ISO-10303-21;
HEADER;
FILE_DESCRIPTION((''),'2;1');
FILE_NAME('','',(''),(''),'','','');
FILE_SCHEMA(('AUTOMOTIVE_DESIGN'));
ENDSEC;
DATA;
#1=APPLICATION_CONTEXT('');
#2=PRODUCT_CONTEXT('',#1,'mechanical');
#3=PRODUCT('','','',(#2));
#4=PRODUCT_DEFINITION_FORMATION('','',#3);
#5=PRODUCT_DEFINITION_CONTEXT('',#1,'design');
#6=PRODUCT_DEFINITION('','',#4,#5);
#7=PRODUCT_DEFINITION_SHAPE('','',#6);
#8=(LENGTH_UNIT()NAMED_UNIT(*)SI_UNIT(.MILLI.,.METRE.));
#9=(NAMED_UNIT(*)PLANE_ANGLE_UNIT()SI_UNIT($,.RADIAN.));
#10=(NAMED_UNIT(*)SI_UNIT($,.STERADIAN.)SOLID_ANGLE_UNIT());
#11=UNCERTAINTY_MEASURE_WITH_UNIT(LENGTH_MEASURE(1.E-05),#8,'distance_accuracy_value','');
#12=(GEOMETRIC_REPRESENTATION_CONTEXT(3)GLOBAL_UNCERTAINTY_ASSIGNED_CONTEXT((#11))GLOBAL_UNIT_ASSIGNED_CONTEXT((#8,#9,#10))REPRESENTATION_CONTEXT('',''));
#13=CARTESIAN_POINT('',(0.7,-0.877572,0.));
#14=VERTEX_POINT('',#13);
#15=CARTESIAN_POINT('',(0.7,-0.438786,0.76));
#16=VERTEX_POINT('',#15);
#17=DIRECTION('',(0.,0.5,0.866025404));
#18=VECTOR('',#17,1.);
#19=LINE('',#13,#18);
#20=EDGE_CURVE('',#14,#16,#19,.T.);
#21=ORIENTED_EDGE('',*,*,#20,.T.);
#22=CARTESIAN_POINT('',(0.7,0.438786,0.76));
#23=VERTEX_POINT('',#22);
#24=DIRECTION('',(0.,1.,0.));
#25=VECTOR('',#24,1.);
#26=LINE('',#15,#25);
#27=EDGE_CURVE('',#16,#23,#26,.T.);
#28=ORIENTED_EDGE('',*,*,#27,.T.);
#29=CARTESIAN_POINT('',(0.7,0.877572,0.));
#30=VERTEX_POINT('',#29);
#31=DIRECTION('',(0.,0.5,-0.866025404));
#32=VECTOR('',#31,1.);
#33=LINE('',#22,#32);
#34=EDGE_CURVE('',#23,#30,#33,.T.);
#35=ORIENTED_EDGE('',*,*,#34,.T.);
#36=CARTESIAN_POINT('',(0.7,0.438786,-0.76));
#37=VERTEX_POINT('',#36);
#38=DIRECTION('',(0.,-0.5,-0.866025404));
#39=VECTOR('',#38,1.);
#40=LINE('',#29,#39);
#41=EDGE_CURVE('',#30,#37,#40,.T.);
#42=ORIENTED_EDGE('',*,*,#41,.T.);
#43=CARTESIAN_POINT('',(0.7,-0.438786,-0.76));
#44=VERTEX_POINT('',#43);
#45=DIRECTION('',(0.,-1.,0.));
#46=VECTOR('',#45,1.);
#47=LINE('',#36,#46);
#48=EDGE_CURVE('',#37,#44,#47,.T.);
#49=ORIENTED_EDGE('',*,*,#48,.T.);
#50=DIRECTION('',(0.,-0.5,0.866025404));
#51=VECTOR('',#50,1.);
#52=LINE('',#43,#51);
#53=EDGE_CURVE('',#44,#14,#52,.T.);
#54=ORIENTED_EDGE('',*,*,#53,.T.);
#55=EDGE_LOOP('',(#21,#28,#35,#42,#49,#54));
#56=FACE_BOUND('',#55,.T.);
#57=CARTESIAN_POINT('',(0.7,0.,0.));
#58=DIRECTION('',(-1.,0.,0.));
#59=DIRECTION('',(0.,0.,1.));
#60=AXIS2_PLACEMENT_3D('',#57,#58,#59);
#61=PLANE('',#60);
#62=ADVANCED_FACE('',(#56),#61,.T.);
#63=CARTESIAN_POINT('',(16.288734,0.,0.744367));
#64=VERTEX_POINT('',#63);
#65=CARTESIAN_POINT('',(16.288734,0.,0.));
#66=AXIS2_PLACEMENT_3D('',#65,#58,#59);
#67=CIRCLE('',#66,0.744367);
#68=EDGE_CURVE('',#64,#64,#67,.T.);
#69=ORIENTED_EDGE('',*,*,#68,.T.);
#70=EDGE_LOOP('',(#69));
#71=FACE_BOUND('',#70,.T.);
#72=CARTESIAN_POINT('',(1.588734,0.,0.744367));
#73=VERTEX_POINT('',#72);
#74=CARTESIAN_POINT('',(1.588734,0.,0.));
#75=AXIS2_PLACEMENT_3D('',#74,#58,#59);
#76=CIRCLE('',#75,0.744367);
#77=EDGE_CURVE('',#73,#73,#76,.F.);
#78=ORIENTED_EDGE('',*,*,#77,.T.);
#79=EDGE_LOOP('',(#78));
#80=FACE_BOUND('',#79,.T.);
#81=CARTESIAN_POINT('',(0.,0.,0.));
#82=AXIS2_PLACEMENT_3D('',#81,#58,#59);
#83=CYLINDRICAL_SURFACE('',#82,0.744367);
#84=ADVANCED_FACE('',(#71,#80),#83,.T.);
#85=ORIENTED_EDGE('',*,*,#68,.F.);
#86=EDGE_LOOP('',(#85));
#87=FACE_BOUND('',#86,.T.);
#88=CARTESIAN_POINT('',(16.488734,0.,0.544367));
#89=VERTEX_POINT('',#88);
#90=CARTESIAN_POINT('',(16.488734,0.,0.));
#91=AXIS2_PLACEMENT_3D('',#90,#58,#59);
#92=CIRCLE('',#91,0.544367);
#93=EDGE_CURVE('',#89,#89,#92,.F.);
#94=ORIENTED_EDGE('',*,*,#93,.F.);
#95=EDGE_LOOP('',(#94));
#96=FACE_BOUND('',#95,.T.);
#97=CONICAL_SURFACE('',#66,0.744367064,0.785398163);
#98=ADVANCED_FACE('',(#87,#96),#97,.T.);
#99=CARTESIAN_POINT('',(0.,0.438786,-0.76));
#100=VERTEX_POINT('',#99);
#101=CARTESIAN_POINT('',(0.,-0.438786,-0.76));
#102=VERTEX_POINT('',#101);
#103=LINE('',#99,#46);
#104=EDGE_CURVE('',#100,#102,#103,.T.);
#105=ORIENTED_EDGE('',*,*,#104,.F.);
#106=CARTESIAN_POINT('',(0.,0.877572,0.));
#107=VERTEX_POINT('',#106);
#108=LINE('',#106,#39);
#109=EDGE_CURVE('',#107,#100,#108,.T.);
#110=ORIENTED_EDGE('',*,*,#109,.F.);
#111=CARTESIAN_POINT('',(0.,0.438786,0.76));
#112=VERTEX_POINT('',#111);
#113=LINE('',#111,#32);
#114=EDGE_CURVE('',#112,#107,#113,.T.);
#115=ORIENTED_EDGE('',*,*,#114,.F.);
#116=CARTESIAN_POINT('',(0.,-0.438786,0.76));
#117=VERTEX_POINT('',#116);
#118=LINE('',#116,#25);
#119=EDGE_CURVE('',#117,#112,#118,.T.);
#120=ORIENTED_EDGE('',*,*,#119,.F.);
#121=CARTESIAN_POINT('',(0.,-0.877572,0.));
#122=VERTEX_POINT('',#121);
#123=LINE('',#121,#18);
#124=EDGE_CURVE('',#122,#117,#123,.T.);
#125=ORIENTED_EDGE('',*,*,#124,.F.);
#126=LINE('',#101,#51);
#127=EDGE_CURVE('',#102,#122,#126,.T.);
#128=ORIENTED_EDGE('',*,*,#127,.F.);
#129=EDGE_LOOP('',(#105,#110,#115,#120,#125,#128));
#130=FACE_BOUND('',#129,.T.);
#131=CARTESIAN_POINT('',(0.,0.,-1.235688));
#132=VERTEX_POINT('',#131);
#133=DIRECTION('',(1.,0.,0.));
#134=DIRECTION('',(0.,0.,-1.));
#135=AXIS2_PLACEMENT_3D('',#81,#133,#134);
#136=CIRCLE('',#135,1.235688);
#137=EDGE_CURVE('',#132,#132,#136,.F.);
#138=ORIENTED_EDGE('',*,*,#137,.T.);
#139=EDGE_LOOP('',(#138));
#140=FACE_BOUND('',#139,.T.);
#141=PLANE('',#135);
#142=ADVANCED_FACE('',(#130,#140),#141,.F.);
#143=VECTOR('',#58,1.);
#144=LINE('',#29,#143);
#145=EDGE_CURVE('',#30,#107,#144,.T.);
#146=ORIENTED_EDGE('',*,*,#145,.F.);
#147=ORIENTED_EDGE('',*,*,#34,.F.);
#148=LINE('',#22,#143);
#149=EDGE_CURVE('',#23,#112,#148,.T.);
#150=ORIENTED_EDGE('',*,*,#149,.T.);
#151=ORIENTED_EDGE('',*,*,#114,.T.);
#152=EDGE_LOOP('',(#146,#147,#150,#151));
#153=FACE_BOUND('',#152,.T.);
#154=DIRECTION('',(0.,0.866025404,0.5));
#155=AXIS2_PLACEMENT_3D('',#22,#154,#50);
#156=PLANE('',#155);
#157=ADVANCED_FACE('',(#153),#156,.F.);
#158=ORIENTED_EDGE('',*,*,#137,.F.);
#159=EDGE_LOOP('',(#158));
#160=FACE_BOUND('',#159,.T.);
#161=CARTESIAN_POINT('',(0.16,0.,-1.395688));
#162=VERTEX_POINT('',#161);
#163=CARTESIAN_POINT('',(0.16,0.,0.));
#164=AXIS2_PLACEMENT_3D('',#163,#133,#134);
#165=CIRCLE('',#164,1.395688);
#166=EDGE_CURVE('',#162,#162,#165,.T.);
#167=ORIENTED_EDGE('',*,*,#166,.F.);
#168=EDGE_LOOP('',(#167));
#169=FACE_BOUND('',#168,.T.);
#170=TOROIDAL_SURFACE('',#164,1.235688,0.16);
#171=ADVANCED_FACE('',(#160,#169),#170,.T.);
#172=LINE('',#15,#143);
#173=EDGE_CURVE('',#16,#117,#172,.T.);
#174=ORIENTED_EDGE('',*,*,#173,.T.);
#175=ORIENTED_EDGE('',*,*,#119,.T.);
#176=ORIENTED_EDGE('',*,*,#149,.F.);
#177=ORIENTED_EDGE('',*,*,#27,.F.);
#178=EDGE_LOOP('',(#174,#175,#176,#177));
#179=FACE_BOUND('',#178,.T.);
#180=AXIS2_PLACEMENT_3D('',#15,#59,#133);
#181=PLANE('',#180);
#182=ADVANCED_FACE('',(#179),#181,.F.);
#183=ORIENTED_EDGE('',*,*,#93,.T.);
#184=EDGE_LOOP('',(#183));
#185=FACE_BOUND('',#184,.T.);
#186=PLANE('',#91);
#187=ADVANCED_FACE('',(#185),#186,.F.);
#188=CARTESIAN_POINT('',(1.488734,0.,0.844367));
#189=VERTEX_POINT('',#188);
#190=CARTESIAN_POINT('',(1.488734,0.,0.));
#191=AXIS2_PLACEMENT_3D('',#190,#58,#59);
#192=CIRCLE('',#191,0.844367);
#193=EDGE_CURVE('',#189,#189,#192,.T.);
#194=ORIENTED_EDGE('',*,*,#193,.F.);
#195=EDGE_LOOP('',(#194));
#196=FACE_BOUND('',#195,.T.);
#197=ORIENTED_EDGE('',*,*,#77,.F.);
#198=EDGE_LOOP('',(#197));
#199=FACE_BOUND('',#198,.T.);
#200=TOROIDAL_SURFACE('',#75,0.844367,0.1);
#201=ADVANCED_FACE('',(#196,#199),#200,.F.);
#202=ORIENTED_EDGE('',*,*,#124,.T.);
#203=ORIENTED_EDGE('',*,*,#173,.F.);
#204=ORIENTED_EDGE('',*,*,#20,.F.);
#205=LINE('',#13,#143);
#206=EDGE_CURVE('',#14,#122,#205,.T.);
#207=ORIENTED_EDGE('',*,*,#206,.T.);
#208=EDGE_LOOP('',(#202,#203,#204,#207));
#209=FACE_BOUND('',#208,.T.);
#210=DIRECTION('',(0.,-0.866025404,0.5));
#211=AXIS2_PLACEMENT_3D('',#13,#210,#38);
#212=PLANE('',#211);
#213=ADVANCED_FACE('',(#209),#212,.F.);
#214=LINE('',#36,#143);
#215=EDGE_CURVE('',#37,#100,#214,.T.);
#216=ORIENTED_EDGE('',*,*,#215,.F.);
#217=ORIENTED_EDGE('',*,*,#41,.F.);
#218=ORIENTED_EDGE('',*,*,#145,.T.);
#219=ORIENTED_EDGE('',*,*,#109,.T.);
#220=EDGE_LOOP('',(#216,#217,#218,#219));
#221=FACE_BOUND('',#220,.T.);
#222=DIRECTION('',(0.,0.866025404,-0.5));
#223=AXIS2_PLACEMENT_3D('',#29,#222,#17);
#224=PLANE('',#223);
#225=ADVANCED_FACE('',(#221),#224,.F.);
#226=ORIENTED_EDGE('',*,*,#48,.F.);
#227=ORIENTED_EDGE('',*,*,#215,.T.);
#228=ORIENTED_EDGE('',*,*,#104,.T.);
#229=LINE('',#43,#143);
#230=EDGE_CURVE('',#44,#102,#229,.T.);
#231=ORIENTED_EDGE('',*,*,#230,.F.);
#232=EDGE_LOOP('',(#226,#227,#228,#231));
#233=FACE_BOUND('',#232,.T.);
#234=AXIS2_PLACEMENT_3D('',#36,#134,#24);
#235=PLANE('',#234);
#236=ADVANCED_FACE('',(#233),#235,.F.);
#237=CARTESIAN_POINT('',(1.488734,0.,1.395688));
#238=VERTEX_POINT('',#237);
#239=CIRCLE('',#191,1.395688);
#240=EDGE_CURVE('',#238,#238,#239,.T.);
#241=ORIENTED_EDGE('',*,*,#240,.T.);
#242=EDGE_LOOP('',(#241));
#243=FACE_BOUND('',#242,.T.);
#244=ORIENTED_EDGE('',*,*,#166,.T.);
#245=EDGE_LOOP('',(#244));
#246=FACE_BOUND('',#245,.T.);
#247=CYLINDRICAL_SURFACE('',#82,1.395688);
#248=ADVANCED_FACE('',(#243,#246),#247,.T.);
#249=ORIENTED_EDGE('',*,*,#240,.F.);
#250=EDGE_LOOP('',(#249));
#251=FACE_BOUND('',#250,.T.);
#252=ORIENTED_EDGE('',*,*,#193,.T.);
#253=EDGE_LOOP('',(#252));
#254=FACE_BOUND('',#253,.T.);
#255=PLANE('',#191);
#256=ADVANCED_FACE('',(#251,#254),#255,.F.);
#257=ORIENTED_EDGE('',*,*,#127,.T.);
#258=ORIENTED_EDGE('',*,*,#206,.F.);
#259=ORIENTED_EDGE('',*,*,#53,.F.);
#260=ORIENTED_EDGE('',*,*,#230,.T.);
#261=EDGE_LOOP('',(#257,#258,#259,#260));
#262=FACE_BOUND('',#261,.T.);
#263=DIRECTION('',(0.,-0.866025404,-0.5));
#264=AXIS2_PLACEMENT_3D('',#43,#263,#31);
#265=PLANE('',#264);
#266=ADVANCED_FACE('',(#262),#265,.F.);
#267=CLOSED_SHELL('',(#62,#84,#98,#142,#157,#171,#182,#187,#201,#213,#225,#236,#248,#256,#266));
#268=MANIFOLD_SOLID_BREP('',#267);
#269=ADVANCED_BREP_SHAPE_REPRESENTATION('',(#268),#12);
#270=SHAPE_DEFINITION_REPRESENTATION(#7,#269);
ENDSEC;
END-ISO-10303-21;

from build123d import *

# Parameters (mm, degrees)
FILLET1_R      = 0.1
FILLET2_R      = 0.16
CHAMFER1_SIZE  = 0.2
EXTRUDE1_DEPTH = 0.7


with BuildPart() as part:
    # Sketch1 → Revolve1 (revolve)
    with BuildSketch(Plane.XY, mode=Mode.PRIVATE) as revolve1_sk:
        Polygon((0, 1.395688245), (0, 0), (16.488734128, 0), (16.488734128, 0.744367064), (1.488734128, 0.744367064), (1.488734128, 1.395688245), align=None)
    revolve(revolve1_sk.sketch.rotate(Axis((0, 0, 0), (1, 0, 0)), 90), axis=Axis((0, 0, 0), (1, 0, 0)))

    # Fillet1
    fillet1_edges = [part.edges().sort_by_distance(p)[0] for p in [
        (1.488734128, 0, -0.744367064),
    ]]
    fillet(fillet1_edges, radius=FILLET1_R)

    # Fillet2
    fillet2_edges = [part.edges().sort_by_distance(p)[0] for p in [
        (0, 0, -1.395688245),
    ]]
    fillet(fillet2_edges, radius=FILLET2_R)

    # Chamfer1
    chamfer1_edges = [part.edges().sort_by_distance(p)[0] for p in [
        (16.488734128, 0, -0.744367064),
    ]]
    chamfer(chamfer1_edges, length=CHAMFER1_SIZE)

    # Sketch2 → Extrude1 (cut)
    with BuildSketch(Plane.ZY):
        Polygon((0, 0.877572409), (-0.76, 0.438786205), (-0.76, -0.438786205), (0, -0.877572409), (0.76, -0.438786205), (0.76, 0.438786205), align=None)
    extrude(amount=-EXTRUDE1_DEPTH, mode=Mode.SUBTRACT)


solid = part.part
